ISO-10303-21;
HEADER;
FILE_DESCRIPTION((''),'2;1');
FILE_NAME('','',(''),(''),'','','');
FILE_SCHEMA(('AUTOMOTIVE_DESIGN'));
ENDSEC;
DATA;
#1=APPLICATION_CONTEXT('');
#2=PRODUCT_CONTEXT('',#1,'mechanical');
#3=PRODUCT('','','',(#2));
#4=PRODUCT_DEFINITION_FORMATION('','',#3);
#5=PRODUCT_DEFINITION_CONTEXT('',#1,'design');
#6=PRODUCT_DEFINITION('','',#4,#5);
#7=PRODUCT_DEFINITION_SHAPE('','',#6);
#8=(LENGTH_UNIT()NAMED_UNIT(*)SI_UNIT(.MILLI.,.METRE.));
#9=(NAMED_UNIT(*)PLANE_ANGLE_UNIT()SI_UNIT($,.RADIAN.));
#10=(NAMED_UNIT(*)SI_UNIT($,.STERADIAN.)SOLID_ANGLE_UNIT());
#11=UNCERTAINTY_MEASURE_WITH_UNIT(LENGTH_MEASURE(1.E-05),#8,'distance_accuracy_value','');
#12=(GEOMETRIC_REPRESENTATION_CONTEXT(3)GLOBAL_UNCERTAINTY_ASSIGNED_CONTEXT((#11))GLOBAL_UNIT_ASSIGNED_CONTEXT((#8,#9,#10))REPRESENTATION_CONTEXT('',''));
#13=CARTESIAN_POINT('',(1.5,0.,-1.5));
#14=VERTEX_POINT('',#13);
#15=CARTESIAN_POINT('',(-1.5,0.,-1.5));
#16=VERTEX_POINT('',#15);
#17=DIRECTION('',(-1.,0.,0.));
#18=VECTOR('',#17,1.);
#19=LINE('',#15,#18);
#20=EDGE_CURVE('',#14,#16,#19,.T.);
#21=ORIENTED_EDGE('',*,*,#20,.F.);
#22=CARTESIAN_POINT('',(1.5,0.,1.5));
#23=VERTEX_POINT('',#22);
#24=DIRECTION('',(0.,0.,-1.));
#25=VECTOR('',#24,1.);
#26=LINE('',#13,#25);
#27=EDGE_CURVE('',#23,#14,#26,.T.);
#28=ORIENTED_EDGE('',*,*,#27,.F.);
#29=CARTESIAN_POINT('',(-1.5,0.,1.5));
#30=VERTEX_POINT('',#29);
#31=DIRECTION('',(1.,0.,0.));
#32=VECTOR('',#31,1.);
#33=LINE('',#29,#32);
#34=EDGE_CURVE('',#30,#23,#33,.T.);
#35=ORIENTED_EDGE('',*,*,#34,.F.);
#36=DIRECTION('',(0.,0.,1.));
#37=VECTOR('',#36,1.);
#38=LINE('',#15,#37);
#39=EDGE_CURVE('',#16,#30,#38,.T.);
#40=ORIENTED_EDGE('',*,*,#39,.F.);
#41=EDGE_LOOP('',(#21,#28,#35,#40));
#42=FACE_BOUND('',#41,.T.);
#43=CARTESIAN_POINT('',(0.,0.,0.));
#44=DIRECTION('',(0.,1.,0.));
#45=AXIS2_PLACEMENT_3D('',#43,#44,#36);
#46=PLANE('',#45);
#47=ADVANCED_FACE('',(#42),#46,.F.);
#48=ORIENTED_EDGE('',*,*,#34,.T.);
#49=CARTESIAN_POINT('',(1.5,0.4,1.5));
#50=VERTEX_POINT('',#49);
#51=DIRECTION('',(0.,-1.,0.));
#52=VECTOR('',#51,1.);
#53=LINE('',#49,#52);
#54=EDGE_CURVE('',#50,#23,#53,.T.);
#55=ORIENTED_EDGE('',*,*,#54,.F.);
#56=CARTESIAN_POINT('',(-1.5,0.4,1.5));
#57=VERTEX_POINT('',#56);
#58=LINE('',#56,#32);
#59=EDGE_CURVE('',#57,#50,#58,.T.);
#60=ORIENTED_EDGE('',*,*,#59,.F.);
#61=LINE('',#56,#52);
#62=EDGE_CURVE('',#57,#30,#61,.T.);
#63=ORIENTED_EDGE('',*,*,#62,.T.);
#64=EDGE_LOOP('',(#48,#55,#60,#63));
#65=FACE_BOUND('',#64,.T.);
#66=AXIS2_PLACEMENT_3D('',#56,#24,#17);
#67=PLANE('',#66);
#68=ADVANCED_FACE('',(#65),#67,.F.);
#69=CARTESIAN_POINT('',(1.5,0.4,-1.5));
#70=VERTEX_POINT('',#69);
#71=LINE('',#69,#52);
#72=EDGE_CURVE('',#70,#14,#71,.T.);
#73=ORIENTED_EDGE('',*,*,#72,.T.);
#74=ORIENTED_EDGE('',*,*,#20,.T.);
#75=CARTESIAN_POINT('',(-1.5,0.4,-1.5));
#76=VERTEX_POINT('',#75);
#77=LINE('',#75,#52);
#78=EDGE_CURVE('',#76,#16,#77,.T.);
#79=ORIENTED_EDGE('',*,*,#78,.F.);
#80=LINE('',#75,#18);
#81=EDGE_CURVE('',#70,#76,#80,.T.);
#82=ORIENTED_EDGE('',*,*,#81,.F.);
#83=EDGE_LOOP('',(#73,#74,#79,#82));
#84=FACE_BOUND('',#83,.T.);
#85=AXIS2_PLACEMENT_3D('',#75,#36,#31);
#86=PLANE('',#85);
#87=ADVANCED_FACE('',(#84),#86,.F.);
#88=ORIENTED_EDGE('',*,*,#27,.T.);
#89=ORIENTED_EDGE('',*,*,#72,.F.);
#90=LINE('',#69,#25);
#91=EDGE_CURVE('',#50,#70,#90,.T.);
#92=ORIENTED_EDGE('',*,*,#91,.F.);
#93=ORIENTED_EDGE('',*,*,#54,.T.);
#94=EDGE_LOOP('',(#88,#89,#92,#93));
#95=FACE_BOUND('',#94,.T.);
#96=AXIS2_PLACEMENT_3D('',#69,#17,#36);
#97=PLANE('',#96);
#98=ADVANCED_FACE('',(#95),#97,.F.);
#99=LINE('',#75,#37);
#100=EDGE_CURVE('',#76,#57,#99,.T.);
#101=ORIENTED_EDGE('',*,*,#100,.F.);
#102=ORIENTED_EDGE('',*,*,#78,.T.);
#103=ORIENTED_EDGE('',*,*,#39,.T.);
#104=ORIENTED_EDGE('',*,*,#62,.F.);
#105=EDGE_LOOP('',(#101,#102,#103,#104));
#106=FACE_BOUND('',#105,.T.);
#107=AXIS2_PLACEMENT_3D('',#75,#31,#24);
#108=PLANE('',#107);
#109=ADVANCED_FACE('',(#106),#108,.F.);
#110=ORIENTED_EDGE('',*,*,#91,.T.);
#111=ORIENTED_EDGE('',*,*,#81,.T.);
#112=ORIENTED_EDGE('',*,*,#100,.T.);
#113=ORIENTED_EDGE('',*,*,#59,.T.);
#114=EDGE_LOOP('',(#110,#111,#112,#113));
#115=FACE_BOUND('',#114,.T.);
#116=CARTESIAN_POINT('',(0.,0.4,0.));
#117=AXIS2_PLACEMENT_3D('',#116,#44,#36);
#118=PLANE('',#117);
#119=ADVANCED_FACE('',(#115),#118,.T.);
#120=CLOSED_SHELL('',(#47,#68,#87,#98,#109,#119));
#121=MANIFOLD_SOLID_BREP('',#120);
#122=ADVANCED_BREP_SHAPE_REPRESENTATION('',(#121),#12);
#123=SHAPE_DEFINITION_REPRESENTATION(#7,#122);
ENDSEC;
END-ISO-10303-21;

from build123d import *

# Parameters (mm, degrees)
SKETCH1_W           = 3
SKETCH1_H           = 3
BOSS_EXTRUDE1_DEPTH = 0.4


with BuildPart() as part:
    # Sketch1 → Boss-Extrude1 (new body)
    with BuildSketch(Plane(origin=(0, 0, 0), x_dir=(1, 0, 0), z_dir=(0, 1, 0))):
        Rectangle(SKETCH1_W, SKETCH1_H)
    extrude(amount=BOSS_EXTRUDE1_DEPTH)


solid = part.part
